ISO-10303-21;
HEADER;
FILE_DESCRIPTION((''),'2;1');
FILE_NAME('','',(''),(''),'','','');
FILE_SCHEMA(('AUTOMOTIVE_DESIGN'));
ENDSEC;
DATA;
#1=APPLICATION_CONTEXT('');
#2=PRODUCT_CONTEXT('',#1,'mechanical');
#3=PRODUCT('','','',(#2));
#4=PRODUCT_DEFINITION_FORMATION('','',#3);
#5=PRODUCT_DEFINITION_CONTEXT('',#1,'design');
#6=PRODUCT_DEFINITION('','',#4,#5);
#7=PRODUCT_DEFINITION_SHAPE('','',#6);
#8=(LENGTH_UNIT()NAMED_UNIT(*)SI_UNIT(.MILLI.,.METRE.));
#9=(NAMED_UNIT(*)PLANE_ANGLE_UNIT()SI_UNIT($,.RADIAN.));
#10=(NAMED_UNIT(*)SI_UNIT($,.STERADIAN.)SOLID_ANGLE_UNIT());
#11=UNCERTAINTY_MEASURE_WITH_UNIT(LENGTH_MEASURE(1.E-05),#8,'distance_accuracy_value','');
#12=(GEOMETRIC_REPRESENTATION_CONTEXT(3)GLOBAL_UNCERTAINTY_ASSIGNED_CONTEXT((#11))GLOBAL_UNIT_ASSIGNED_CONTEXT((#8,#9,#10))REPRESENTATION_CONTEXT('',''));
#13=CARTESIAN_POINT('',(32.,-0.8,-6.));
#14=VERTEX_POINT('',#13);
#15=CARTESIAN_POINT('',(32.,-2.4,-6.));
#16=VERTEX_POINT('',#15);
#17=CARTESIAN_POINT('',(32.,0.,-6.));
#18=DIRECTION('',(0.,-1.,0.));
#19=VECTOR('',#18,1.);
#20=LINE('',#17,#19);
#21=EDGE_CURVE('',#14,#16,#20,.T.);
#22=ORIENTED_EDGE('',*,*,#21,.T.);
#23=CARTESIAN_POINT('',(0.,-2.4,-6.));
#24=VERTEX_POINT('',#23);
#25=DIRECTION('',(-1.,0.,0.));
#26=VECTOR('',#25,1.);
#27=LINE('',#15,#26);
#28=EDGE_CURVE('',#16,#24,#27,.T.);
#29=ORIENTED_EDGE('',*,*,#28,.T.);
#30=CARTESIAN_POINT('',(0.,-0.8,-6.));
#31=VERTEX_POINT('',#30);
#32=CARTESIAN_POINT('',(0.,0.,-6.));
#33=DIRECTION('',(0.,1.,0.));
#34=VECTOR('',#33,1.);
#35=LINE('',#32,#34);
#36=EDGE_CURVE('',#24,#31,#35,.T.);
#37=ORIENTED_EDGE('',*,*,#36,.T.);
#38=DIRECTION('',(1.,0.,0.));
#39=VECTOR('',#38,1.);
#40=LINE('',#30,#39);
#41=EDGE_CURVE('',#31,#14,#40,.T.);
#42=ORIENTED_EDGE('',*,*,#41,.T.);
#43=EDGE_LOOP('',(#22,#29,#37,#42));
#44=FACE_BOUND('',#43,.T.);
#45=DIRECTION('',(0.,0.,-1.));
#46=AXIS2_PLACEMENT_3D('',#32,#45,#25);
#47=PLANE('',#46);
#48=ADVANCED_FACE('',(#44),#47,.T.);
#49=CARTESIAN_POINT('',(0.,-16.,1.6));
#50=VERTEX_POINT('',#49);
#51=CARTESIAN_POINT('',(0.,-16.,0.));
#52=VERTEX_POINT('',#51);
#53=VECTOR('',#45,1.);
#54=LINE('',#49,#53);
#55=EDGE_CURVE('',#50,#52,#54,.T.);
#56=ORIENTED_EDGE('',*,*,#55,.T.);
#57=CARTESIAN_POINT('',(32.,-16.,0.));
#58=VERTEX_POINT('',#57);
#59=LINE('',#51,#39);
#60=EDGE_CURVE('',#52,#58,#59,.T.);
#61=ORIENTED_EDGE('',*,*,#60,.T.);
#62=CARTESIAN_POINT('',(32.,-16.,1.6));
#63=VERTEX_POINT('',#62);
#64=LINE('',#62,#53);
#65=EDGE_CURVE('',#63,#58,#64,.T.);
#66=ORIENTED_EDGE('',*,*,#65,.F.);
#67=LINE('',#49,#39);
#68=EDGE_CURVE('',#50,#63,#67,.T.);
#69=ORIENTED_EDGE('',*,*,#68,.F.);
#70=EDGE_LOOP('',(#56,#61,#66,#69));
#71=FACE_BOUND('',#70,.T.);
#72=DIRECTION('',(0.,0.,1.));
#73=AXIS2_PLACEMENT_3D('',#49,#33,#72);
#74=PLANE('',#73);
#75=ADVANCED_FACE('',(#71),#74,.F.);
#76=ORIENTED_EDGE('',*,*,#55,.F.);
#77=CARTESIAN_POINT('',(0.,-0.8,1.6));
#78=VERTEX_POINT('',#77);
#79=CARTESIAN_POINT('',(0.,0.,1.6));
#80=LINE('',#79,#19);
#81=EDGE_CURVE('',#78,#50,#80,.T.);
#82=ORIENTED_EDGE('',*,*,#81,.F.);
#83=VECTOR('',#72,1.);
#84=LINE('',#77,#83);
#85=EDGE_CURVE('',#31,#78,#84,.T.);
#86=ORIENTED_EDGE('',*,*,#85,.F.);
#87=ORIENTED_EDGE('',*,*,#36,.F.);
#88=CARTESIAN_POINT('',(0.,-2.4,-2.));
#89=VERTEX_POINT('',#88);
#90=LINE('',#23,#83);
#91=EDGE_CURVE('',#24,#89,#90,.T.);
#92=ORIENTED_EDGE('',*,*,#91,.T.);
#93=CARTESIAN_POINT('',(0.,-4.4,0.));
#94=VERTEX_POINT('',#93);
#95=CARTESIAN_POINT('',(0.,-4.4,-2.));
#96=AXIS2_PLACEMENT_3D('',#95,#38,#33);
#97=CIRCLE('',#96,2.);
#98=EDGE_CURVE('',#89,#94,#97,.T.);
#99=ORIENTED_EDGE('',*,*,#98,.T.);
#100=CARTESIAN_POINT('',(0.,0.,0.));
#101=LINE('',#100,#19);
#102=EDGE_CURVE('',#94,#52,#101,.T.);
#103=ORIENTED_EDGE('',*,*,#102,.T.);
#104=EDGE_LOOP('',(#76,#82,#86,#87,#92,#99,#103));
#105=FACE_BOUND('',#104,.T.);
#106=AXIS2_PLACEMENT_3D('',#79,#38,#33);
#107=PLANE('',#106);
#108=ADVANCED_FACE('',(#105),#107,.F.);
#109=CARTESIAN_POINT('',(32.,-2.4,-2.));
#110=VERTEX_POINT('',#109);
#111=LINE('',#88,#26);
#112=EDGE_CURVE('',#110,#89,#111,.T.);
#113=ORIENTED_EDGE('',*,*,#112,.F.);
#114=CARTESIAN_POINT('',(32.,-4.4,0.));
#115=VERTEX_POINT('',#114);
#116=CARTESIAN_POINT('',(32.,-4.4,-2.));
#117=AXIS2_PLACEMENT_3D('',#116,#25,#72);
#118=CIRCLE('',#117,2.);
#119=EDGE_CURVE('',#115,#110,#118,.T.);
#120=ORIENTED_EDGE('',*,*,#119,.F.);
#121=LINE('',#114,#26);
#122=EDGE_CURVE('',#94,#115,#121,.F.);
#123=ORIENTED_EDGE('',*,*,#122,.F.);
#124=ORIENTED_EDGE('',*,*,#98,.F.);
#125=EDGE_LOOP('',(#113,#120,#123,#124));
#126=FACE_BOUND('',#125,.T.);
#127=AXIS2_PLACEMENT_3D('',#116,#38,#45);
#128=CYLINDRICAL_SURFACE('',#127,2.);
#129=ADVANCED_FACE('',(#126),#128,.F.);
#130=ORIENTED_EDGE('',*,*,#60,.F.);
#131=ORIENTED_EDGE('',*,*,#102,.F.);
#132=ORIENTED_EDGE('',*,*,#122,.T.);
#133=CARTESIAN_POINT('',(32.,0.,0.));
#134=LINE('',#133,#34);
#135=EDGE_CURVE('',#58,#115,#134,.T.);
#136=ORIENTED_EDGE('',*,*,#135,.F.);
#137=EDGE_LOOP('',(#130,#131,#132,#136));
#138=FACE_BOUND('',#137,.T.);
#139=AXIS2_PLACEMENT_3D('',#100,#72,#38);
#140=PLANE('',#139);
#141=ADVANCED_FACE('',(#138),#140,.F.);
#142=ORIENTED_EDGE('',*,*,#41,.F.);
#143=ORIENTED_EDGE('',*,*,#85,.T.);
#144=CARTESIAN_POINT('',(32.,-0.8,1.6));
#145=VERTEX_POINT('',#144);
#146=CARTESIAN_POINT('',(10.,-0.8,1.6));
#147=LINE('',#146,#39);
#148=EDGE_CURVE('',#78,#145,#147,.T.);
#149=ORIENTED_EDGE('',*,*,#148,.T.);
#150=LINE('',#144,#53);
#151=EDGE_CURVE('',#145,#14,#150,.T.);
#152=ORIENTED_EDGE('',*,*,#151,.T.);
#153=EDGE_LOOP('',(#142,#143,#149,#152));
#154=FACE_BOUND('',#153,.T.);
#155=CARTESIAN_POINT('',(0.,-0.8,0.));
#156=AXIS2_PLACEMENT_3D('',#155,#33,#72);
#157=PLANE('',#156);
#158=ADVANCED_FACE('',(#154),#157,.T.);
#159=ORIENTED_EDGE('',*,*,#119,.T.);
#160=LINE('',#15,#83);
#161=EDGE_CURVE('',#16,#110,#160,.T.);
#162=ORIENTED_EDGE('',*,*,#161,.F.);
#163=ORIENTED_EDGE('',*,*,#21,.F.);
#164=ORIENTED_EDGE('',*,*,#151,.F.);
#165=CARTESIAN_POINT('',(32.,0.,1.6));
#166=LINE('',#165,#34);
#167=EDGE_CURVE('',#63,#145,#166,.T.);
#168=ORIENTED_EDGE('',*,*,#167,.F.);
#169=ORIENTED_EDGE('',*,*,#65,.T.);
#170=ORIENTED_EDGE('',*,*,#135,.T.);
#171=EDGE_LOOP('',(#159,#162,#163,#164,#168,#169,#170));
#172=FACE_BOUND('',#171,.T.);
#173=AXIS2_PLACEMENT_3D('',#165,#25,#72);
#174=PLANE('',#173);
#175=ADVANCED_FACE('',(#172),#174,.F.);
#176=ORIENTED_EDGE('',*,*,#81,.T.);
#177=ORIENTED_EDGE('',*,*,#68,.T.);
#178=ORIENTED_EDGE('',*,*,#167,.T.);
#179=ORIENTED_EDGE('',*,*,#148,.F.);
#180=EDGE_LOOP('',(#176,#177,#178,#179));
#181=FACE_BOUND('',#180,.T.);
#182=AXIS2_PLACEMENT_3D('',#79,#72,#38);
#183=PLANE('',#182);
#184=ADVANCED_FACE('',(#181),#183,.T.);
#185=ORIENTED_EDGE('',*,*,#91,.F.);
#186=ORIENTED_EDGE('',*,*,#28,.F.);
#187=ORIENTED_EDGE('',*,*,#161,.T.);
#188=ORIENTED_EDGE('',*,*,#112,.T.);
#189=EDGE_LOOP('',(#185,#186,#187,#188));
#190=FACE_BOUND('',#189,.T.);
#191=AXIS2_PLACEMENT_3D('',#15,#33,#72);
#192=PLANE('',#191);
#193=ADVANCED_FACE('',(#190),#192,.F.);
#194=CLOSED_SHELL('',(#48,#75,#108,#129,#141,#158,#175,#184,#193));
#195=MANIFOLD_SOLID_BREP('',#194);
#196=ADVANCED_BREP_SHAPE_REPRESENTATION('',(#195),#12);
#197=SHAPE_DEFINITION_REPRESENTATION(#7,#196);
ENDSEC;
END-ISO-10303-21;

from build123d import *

# Parameters (mm, degrees)
SKETCH4_W           = 32
SKETCH4_H           = 16
BOSS_EXTRUDE3_DEPTH = 1.6
SKETCH5_W           = 32
SKETCH5_H           = 2.4
BOSS_EXTRUDE4_DEPTH = 6
SKETCH6_W           = 32
SKETCH6_H           = 7.6
SKETCH6_W_2         = 30.4
SKETCH6_H_2         = 6
BOSS_EXTRUDE5_DEPTH = 4.8
SKETCH7_W           = 12
SKETCH7_H           = 0.8
CUT_EXTRUDE1_DEPTH  = 4.8
SKETCH8_W           = 26
SKETCH8_H           = 0.8
BOSS_EXTRUDE6_DEPTH = 12
SKETCH9_W           = 0.8
SKETCH9_H           = 12.8
BOSS_EXTRUDE7_DEPTH = 4.8
SKETCH10_W          = 74.676808058
SKETCH10_H          = 45.618872406
CUT_EXTRUDE2_DEPTH  = 5.6
FILLET1_R           = 2


with BuildPart() as part:
    # Sketch4 → Boss-Extrude3 (new body)
    with BuildSketch(Plane.XY):
        with Locations((16, -8)):
            Rectangle(SKETCH4_W, SKETCH4_H)
    extrude(amount=BOSS_EXTRUDE3_DEPTH)

    # Sketch5 → Boss-Extrude4 (add)
    with BuildSketch(Plane(origin=(0, 0, 0), x_dir=(-1, 0, 0), z_dir=(0, 0, -1))):
        with Locations((-16, -1.2)):
            Rectangle(SKETCH5_W, SKETCH5_H)
    extrude(amount=BOSS_EXTRUDE4_DEPTH)

    # Sketch6 → Boss-Extrude5 (add)
    with BuildSketch(Plane(origin=(0, 0, 0), x_dir=(1, 0, 0), z_dir=(0, 1, 0))):
        with Locations((16, 2.2)):
            Rectangle(SKETCH6_W, SKETCH6_H)
        with Locations((16, 2.2)):
            Rectangle(SKETCH6_W_2, SKETCH6_H_2, mode=Mode.SUBTRACT)
    extrude(amount=BOSS_EXTRUDE5_DEPTH)

    # Sketch7 → Cut-Extrude1 (cut)
    with BuildSketch(Plane(origin=(0, 4.8, 0), x_dir=(1, 0, 0), z_dir=(0, 1, 0))):
        with Locations((16, -1.2)):
            Rectangle(SKETCH7_W, SKETCH7_H)
    extrude(amount=-CUT_EXTRUDE1_DEPTH, mode=Mode.SUBTRACT)

    # Sketch8 → Boss-Extrude6 (add)
    with BuildSketch(Plane.XY.offset(1.6)):
        with Locations((23, -0.4)):
            Rectangle(SKETCH8_W, SKETCH8_H)
    extrude(amount=BOSS_EXTRUDE6_DEPTH)

    # Sketch9 → Boss-Extrude7 (add)
    with BuildSketch(Plane(origin=(0, 0, 0), x_dir=(1, 0, 0), z_dir=(0, 1, 0))):
        with Locations((10.4, -7.2)):
            Rectangle(SKETCH9_W, SKETCH9_H)
        with Locations((35.6, -7.2)):
            Rectangle(SKETCH9_W, SKETCH9_H)
    extrude(amount=BOSS_EXTRUDE7_DEPTH)

    # Sketch10 → Cut-Extrude2 (cut)
    with BuildSketch(Plane(origin=(0, 4.8, 0), x_dir=(1, 0, 0), z_dir=(0, 1, 0))):
        with Locations((31.433625096, -2.501503002)):
            Rectangle(SKETCH10_W, SKETCH10_H)
    extrude(amount=-CUT_EXTRUDE2_DEPTH, mode=Mode.SUBTRACT)

    # Fillet1
    fillet1_edges = [part.edges().sort_by_distance(p)[0] for p in [
        (16, -2.4, 0),
    ]]
    fillet(fillet1_edges, radius=FILLET1_R)


solid = part.part
